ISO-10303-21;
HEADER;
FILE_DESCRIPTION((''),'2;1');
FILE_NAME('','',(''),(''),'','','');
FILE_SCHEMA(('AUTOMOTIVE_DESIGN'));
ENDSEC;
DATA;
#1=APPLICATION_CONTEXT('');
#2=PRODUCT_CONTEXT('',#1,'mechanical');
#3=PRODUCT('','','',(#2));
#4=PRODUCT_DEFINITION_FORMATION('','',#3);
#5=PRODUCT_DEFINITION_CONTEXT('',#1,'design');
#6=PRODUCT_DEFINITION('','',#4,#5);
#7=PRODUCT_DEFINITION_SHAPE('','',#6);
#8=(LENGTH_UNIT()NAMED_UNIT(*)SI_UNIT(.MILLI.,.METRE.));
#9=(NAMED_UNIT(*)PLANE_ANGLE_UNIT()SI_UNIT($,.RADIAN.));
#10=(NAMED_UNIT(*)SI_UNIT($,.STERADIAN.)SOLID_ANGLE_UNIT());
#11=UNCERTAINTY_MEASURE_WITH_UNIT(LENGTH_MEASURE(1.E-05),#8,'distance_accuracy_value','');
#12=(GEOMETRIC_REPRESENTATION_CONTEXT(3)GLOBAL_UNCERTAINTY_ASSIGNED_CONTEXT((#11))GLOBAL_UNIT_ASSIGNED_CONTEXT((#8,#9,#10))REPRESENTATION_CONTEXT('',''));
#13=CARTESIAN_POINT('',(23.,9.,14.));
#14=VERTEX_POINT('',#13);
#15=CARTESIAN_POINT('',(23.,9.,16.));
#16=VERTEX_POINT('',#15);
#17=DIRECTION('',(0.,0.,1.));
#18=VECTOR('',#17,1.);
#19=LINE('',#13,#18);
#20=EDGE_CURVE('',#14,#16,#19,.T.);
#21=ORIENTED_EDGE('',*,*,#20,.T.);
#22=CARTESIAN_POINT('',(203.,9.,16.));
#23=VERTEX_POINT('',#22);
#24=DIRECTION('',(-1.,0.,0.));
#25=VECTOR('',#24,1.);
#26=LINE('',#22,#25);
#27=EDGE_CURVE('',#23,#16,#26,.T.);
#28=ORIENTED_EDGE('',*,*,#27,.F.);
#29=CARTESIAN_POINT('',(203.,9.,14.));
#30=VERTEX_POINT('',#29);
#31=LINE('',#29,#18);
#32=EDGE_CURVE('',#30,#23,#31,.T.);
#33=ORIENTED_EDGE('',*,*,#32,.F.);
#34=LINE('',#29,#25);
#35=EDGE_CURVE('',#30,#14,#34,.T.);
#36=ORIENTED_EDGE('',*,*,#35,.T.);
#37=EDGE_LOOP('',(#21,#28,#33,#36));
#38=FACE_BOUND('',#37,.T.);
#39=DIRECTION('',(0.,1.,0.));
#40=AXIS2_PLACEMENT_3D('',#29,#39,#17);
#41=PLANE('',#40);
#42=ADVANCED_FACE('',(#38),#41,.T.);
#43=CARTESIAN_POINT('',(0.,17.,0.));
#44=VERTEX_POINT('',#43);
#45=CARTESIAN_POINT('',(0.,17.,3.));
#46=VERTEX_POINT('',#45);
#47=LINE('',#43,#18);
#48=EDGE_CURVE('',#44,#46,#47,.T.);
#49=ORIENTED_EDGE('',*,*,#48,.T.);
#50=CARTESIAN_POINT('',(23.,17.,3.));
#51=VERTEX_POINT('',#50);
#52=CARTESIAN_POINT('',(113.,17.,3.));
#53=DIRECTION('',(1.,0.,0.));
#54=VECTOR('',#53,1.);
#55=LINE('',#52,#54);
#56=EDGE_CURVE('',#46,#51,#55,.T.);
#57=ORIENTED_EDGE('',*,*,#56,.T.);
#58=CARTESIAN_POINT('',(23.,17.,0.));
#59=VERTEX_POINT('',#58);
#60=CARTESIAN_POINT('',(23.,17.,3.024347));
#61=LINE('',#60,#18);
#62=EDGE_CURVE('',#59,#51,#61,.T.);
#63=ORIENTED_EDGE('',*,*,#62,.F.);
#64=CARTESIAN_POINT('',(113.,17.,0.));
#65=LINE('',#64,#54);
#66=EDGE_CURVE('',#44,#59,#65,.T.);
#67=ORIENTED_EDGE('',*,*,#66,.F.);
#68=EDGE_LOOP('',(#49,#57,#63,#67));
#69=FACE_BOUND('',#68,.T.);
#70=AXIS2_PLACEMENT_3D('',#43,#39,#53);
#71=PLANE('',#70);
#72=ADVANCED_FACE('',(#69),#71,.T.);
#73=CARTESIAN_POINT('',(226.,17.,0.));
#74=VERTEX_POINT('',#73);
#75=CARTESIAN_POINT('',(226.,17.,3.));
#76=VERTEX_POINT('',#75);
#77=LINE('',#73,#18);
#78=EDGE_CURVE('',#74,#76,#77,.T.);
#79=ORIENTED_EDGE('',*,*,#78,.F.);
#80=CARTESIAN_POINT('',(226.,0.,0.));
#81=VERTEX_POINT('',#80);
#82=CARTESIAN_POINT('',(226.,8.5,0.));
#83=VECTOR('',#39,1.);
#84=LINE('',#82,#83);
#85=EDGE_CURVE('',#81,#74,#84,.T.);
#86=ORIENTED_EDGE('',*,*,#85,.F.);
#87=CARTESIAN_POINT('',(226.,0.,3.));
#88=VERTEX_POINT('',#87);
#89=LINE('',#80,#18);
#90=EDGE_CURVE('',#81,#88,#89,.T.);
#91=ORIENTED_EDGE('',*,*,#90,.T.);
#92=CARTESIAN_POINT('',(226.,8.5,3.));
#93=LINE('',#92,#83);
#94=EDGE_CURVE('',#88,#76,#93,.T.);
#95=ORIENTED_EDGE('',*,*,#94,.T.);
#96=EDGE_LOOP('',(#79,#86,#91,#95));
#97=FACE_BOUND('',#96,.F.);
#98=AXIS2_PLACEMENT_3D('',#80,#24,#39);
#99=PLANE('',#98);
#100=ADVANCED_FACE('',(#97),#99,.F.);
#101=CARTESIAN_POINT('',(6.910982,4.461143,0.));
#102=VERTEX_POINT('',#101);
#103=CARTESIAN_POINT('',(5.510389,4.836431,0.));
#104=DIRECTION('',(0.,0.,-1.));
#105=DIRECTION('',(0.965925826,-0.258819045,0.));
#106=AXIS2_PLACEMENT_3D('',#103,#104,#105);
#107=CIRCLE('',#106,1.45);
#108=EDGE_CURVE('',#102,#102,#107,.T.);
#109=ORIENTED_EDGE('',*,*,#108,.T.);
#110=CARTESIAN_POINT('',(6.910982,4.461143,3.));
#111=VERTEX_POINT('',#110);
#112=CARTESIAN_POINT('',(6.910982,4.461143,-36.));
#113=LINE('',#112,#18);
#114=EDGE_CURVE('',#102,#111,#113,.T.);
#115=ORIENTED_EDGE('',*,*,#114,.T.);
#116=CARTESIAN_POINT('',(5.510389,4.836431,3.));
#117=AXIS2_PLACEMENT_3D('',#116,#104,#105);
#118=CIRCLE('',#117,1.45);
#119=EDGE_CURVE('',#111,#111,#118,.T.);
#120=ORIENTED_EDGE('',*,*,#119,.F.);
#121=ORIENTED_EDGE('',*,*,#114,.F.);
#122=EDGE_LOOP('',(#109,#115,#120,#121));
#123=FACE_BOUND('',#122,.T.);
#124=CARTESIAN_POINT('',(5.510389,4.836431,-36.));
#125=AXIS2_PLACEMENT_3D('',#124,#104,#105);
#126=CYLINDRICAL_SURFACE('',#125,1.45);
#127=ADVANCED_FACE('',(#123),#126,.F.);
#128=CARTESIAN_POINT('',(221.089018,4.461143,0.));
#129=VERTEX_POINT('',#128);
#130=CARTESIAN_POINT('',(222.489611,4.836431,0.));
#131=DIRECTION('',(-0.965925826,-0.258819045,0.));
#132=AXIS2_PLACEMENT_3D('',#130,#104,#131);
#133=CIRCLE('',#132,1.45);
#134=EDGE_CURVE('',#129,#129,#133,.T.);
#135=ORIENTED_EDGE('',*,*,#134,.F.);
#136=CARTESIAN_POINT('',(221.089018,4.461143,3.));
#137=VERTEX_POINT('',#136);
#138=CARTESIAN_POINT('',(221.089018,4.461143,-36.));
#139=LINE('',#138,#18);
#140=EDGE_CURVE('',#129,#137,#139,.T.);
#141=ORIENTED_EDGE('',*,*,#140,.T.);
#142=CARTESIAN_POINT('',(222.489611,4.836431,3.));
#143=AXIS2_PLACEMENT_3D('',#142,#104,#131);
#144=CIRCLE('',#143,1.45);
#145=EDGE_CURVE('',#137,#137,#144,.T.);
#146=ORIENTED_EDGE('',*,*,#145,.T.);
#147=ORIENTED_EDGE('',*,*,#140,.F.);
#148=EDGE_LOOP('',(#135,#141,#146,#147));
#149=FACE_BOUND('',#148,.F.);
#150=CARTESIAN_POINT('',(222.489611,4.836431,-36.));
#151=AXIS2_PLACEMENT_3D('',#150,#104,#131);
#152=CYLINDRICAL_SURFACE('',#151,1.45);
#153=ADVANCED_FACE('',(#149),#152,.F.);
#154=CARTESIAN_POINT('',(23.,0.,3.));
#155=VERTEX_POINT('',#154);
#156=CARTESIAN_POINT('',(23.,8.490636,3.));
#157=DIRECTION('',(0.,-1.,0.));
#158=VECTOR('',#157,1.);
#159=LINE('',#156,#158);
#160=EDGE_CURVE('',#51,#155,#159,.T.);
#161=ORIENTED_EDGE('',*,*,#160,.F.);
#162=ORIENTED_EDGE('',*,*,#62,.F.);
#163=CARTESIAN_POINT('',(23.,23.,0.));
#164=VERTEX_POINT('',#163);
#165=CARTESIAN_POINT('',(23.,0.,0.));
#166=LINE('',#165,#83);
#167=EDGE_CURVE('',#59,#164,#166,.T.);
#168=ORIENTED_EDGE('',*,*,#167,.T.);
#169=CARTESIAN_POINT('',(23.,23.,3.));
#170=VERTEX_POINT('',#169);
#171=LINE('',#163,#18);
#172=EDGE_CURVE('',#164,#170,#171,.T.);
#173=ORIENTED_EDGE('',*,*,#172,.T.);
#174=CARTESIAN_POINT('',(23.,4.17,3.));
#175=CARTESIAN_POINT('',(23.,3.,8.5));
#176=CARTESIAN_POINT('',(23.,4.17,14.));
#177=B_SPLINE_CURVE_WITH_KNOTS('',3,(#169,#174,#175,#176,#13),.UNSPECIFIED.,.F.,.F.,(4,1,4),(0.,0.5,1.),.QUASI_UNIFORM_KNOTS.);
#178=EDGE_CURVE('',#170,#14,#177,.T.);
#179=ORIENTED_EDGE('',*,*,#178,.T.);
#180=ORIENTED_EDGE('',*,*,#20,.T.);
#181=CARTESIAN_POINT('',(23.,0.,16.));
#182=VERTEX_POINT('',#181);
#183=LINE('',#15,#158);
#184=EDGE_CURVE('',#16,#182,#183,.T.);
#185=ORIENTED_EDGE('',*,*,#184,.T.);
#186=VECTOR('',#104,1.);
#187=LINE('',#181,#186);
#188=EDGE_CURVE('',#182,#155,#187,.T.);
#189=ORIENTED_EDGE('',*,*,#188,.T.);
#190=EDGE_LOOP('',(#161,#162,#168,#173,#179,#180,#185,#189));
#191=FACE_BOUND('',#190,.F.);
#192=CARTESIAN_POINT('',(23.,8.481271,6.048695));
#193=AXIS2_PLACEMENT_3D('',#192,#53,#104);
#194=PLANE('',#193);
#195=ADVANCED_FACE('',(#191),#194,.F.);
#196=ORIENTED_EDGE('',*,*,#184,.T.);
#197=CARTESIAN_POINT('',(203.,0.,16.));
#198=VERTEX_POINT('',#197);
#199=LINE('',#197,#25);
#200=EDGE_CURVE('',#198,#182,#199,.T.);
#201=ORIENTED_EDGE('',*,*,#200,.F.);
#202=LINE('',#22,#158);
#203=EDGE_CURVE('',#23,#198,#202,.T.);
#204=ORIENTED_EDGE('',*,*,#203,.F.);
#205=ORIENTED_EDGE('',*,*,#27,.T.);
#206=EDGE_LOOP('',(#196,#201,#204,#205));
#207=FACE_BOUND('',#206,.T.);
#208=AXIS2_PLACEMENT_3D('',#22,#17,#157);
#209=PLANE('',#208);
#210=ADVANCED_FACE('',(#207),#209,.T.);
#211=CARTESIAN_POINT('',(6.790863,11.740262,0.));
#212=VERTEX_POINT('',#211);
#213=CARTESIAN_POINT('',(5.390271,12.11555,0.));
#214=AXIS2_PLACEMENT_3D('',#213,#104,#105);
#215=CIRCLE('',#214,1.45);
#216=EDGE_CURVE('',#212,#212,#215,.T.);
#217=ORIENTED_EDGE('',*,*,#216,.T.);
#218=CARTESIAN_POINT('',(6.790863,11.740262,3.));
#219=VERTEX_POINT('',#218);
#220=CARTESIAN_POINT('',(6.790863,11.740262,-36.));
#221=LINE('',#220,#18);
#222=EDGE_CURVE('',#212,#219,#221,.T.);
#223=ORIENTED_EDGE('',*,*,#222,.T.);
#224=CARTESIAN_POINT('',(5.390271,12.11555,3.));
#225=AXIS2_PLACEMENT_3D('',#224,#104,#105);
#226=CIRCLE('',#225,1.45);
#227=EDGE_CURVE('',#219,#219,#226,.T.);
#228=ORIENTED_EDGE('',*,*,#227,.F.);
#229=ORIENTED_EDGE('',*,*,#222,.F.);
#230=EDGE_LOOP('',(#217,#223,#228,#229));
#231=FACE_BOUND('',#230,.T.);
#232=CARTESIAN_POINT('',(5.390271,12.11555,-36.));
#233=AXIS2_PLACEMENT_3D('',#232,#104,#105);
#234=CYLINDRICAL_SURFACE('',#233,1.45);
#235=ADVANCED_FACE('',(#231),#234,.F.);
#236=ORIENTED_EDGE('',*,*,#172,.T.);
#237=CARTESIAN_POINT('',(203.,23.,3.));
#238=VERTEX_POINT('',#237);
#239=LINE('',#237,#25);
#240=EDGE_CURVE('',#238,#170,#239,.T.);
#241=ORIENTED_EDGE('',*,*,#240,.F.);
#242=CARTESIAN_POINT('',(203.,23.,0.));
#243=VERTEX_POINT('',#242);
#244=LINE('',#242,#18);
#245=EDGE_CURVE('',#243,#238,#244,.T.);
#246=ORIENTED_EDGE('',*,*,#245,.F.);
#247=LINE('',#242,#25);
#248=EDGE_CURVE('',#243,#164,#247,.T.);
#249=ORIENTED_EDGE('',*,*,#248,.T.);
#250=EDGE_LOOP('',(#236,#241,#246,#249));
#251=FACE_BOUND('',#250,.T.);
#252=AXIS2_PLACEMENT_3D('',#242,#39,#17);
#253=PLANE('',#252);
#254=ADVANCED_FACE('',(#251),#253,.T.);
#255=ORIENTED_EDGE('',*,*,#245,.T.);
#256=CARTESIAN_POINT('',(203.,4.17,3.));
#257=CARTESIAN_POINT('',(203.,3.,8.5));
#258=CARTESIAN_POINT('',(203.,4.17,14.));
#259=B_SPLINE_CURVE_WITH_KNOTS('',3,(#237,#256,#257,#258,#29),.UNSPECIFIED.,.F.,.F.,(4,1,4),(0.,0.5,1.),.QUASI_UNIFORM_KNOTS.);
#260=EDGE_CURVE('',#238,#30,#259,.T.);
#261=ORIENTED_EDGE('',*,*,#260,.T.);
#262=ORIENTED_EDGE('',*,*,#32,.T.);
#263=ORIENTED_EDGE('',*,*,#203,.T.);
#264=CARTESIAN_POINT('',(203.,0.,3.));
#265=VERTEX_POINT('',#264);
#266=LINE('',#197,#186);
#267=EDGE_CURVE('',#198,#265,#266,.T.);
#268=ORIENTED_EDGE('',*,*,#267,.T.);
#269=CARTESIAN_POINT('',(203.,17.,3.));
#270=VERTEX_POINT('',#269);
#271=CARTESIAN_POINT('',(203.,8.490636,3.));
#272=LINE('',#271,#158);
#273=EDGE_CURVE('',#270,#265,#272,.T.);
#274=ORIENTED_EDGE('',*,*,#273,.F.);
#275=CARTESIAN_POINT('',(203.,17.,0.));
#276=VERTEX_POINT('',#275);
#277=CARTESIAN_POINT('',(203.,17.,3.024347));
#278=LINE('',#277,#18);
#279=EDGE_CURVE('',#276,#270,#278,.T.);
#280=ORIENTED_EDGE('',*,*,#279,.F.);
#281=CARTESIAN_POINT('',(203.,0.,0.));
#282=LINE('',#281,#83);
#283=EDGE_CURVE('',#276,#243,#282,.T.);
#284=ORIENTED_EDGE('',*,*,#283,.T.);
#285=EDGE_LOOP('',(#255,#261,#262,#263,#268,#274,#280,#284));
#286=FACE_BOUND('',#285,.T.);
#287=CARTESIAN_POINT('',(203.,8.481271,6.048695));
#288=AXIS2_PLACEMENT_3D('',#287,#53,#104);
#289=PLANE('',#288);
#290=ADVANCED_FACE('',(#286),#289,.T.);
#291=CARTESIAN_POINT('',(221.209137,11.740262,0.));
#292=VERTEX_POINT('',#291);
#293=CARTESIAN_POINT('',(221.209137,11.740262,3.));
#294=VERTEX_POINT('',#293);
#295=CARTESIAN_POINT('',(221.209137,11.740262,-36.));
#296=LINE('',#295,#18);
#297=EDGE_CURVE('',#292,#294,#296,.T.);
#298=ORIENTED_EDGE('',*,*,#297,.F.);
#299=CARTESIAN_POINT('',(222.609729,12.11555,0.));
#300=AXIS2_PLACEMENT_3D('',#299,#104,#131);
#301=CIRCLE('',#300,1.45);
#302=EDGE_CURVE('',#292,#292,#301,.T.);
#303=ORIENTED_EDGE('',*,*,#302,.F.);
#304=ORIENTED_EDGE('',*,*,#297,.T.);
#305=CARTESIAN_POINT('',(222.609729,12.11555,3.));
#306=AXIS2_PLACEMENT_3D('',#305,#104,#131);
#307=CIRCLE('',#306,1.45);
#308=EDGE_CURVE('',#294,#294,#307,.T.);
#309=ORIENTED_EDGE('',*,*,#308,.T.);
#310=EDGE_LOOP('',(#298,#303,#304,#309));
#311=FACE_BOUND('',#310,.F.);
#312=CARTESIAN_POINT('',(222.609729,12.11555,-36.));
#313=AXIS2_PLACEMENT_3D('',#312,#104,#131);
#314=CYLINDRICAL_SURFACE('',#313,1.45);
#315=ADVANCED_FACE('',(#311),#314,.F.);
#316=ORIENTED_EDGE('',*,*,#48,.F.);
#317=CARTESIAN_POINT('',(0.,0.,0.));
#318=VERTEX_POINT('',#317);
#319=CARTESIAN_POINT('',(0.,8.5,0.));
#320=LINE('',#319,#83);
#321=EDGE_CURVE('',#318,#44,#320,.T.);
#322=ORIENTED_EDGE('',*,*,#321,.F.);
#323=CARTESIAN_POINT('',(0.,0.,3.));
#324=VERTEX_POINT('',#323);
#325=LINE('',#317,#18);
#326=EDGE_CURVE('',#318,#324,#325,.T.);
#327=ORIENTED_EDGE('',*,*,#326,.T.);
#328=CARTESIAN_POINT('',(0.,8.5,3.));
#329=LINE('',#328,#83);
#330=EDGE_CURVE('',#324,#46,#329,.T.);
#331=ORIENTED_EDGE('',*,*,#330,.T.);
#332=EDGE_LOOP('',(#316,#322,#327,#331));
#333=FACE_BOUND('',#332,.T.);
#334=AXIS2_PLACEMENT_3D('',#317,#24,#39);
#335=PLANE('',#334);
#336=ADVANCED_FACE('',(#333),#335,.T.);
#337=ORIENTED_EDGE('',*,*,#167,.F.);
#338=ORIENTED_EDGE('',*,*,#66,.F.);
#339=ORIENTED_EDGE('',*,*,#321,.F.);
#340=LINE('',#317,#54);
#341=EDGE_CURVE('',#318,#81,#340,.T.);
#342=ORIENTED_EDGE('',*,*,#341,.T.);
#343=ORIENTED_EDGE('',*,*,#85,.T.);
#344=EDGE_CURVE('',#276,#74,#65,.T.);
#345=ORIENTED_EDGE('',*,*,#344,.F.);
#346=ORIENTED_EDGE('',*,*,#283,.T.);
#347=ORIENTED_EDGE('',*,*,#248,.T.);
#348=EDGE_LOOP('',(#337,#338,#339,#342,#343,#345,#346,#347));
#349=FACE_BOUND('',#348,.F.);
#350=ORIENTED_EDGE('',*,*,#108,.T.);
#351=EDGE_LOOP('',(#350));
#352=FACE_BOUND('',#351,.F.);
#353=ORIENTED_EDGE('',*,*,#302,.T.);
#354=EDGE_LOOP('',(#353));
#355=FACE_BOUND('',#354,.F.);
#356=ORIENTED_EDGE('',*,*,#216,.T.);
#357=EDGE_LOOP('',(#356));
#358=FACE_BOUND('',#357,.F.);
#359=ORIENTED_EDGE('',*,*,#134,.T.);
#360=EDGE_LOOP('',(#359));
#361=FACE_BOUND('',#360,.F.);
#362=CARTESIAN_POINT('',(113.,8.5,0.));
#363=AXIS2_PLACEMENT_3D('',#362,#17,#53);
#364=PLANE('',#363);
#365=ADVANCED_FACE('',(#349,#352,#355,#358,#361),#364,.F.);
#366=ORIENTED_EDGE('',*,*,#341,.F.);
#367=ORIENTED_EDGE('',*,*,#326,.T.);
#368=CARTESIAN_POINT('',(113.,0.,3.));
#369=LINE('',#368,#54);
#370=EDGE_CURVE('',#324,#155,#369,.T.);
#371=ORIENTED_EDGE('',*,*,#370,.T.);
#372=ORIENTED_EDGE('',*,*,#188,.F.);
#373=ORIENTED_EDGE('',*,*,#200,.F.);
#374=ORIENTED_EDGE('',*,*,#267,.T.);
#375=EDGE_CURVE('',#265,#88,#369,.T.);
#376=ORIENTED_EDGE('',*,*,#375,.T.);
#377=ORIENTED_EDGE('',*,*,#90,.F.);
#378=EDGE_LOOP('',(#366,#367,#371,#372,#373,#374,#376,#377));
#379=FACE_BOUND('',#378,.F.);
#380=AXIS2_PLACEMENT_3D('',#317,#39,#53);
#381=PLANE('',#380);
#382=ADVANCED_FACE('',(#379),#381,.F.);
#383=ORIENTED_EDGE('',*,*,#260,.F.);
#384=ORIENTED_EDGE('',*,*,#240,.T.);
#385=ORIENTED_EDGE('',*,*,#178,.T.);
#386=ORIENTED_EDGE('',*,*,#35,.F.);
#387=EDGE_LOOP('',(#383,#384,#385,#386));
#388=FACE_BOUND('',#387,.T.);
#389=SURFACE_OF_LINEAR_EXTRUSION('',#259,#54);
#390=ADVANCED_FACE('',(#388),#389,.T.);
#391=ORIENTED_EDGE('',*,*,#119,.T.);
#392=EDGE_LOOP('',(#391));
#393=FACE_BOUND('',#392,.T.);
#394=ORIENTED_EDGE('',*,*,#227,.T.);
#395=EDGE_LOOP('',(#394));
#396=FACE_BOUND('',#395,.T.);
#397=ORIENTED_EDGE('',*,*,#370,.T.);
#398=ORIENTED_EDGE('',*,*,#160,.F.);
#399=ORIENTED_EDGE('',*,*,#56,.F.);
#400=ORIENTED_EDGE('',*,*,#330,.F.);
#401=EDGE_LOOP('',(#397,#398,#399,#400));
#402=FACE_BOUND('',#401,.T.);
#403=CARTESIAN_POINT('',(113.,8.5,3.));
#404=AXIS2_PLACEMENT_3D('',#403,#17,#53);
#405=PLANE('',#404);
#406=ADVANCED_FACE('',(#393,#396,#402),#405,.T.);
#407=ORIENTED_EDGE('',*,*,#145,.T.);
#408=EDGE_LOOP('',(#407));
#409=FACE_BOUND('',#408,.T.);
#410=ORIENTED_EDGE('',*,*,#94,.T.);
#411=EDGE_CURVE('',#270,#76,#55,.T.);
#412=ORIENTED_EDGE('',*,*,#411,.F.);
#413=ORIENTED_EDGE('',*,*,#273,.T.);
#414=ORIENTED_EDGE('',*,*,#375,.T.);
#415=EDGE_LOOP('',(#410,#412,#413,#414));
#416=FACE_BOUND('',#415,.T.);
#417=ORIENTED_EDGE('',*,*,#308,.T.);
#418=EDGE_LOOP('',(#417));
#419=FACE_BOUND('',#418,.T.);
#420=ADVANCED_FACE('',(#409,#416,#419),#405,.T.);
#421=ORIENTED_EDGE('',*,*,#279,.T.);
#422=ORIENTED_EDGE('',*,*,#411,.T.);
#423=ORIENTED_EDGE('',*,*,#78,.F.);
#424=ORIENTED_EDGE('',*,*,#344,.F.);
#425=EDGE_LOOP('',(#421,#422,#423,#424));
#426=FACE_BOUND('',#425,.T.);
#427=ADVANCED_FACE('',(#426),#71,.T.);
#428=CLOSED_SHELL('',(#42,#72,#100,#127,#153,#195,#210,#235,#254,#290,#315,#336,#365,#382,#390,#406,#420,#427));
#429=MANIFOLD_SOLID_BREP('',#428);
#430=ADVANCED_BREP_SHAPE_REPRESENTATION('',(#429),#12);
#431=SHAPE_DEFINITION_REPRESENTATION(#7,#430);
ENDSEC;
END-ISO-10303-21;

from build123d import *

# Parameters (mm, degrees)
CYLINDER006_R           = 1.45
CYLINDER006_DEPTH       = 50
CYLINDER007_R           = 1.45
CYLINDER007_DEPTH       = 50
BODY007_PLACEMENT_ANGLE = 15
BOX_W                   = 226
BOX_H                   = 17
BOX_DEPTH               = 3
PAD005_DEPTH            = 180
BODY011_PITCH_ANGLE     = -90
BODY011_PLACEMENT_ANGLE = -90


with BuildPart() as cylinder004:
    # Cylinder006 → Cylinder006 (new body)
    with BuildSketch(Plane(origin=(23, 5, -5), x_dir=(1, 0, 0), z_dir=(0, 0, 1))):
        Circle(CYLINDER006_R)
    extrude(amount=CYLINDER006_DEPTH)


with BuildPart() as round_holes_clone:
    # Cylinder007 → Cylinder007 (new body)
    with BuildSketch(Plane(origin=(21, 12, -5), x_dir=(1, 0, 0), z_dir=(0, 0, 1))):
        Circle(CYLINDER007_R)
    extrude(amount=CYLINDER007_DEPTH)

    # Fusion: union Cylinder004
    add(cylinder004.part)


with BuildPart() as round_holes_clone_1:
    # Body007 placement: moved
    add(round_holes_clone.part.moved(Location((0, 5.95964, -31))).rotate(Axis((0, 5.95964, -31), (0, 0, -1)), BODY007_PLACEMENT_ANGLE))


with BuildPart() as fusion003:
    # Part__Mirroring001: instance of round holes clone
    add(round_holes_clone_1.part.mirror(Plane(origin=(132, 0, 0), x_dir=(0, -1, 0), z_dir=(1, 0, 0))))

    # Fusion003: union round holes clone
    add(round_holes_clone_1.part)


with BuildPart() as fusion003_1:
    # Fusion003 placement: moved
    add(fusion003.part.moved(Location((-18, 0, 0))))


with BuildPart() as body009:
    # Box → Box (new body)
    with BuildSketch(Plane.XY):
        with Locations((113, 8.5)):
            Rectangle(BOX_W, BOX_H)
    extrude(amount=BOX_DEPTH)

    # Cut003: cut Fusion003
    add(fusion003_1.part, mode=Mode.SUBTRACT)


with BuildPart() as fusion004:
    # Sketch005 → Pad005 (new body)
    with BuildSketch(Plane.XZ):
        with BuildLine():
            Line((-8.5, -3), (-8.5, 20))
            Line((-8.5, 20), (-5.5, 20))
            add(Edge.make_bspline(
                [(-5.5, 20), (-5.5, 1.17), (0, 0), (5.5, 1.17), (5.5, 6)],
                knots=[0, 0, 0, 0, 0.5, 1, 1, 1, 1], degree=3))
            Line((5.5, 6), (7.5, 6))
            Line((7.5, 6), (7.5, -3))
            Line((7.5, -3), (-8.5, -3))
        make_face()
    extrude(amount=PAD005_DEPTH)


with BuildPart() as fusion004_1:
    # Body011 pitch: moved
    add(fusion004.part.rotate(Axis((0, 0, 0), (0, 1, 0)), BODY011_PITCH_ANGLE))


with BuildPart() as fusion004_2:
    # Body011 placement: moved
    add(fusion004_1.part.moved(Location((203, 3, 8.5))).rotate(Axis((203, 3, 8.5), (0, 0, 1)), BODY011_PLACEMENT_ANGLE))

    # Fusion004: union Body009
    add(body009.part)


solid = fusion004_2.part
